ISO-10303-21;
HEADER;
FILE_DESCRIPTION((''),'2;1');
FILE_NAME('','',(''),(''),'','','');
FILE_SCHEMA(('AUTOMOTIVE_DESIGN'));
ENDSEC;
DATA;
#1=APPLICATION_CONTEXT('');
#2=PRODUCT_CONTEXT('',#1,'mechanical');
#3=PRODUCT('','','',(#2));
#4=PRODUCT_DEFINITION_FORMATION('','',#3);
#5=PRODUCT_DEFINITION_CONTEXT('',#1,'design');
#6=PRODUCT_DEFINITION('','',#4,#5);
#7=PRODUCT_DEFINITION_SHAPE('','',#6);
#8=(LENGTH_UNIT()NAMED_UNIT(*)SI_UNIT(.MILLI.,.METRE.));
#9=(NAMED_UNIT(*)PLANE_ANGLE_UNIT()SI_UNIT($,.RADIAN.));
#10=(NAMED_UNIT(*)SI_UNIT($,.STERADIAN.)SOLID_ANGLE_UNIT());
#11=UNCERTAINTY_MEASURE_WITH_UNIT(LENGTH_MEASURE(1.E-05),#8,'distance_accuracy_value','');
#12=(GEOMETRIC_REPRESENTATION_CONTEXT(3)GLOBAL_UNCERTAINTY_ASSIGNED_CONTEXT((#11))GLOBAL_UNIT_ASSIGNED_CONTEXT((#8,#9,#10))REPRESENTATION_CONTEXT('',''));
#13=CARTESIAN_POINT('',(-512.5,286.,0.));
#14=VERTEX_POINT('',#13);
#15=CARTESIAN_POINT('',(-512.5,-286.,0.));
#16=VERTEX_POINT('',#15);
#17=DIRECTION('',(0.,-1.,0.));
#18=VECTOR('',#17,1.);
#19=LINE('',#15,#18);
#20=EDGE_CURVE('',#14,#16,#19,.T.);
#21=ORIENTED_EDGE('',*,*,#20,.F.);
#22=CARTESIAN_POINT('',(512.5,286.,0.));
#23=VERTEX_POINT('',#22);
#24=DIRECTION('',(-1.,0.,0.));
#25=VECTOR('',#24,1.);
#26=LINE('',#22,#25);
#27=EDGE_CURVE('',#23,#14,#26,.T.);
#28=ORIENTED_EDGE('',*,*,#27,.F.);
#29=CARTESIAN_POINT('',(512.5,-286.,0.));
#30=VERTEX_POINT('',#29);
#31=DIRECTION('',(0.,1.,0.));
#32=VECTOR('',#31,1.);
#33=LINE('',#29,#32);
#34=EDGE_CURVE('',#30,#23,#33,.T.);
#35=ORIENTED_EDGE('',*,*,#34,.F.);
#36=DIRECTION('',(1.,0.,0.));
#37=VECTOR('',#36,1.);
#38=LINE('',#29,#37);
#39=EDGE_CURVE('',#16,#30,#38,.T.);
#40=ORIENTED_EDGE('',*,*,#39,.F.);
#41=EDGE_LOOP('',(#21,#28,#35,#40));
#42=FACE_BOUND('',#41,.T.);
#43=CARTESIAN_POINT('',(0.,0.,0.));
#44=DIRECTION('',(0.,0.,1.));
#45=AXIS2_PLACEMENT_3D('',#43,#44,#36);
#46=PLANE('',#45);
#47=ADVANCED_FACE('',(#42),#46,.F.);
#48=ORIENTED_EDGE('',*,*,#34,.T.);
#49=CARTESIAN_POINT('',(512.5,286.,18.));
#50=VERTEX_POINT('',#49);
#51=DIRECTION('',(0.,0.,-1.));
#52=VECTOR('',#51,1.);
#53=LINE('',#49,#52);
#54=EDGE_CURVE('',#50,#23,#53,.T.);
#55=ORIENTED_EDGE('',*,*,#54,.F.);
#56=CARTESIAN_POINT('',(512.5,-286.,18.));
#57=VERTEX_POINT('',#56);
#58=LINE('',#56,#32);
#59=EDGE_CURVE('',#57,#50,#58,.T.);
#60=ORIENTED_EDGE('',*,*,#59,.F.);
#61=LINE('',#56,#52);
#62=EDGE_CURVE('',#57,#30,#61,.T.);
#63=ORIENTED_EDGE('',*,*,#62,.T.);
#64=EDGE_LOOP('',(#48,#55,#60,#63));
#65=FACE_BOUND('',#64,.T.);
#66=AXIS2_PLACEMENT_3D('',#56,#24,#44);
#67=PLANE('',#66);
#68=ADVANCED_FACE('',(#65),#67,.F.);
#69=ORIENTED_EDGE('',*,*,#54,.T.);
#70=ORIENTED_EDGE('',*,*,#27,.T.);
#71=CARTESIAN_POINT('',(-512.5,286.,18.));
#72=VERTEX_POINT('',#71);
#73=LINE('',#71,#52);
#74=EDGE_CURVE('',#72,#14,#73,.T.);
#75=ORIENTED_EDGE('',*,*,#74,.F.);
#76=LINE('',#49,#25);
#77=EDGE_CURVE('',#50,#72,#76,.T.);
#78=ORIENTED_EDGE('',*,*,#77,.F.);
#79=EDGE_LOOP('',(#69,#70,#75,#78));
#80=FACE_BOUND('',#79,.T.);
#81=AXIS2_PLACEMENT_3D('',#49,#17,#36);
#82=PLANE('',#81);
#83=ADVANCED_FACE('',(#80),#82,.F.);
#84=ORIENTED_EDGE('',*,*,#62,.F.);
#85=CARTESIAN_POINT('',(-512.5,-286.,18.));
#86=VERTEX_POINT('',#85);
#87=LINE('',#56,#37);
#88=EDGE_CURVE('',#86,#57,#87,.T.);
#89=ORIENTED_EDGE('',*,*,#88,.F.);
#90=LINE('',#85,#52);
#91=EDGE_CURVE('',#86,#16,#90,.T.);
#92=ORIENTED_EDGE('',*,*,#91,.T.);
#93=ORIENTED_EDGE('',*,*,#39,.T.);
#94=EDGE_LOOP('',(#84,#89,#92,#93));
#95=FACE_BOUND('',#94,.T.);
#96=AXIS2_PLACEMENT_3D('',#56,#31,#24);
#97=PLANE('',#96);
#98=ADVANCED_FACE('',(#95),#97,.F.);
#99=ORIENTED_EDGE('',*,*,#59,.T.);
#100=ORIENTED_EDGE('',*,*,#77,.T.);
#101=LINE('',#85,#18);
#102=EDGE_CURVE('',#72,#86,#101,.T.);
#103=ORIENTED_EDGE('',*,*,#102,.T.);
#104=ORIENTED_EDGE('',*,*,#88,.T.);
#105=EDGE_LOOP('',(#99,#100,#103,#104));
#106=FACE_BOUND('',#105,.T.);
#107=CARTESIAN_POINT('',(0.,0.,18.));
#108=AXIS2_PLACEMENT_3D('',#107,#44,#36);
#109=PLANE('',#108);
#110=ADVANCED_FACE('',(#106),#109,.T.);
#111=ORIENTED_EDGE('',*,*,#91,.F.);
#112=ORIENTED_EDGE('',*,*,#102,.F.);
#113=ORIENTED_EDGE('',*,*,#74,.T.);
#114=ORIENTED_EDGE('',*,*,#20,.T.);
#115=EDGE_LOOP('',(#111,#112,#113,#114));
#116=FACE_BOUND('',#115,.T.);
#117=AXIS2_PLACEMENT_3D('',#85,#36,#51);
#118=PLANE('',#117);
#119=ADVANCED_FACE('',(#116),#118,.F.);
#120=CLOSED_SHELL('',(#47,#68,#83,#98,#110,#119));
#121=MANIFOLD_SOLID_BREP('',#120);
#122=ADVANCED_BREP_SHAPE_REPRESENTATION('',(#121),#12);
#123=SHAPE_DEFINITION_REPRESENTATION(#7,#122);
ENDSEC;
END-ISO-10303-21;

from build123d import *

# Parameters (mm, degrees)
SKETCH1_W           = 1025
SKETCH1_H           = 572
BOSS_EXTRUDE1_DEPTH = 18


with BuildPart() as part:
    # Sketch1 → Boss-Extrude1 (new body)
    with BuildSketch(Plane.XY):
        Rectangle(SKETCH1_W, SKETCH1_H)
    extrude(amount=BOSS_EXTRUDE1_DEPTH)


solid = part.part
